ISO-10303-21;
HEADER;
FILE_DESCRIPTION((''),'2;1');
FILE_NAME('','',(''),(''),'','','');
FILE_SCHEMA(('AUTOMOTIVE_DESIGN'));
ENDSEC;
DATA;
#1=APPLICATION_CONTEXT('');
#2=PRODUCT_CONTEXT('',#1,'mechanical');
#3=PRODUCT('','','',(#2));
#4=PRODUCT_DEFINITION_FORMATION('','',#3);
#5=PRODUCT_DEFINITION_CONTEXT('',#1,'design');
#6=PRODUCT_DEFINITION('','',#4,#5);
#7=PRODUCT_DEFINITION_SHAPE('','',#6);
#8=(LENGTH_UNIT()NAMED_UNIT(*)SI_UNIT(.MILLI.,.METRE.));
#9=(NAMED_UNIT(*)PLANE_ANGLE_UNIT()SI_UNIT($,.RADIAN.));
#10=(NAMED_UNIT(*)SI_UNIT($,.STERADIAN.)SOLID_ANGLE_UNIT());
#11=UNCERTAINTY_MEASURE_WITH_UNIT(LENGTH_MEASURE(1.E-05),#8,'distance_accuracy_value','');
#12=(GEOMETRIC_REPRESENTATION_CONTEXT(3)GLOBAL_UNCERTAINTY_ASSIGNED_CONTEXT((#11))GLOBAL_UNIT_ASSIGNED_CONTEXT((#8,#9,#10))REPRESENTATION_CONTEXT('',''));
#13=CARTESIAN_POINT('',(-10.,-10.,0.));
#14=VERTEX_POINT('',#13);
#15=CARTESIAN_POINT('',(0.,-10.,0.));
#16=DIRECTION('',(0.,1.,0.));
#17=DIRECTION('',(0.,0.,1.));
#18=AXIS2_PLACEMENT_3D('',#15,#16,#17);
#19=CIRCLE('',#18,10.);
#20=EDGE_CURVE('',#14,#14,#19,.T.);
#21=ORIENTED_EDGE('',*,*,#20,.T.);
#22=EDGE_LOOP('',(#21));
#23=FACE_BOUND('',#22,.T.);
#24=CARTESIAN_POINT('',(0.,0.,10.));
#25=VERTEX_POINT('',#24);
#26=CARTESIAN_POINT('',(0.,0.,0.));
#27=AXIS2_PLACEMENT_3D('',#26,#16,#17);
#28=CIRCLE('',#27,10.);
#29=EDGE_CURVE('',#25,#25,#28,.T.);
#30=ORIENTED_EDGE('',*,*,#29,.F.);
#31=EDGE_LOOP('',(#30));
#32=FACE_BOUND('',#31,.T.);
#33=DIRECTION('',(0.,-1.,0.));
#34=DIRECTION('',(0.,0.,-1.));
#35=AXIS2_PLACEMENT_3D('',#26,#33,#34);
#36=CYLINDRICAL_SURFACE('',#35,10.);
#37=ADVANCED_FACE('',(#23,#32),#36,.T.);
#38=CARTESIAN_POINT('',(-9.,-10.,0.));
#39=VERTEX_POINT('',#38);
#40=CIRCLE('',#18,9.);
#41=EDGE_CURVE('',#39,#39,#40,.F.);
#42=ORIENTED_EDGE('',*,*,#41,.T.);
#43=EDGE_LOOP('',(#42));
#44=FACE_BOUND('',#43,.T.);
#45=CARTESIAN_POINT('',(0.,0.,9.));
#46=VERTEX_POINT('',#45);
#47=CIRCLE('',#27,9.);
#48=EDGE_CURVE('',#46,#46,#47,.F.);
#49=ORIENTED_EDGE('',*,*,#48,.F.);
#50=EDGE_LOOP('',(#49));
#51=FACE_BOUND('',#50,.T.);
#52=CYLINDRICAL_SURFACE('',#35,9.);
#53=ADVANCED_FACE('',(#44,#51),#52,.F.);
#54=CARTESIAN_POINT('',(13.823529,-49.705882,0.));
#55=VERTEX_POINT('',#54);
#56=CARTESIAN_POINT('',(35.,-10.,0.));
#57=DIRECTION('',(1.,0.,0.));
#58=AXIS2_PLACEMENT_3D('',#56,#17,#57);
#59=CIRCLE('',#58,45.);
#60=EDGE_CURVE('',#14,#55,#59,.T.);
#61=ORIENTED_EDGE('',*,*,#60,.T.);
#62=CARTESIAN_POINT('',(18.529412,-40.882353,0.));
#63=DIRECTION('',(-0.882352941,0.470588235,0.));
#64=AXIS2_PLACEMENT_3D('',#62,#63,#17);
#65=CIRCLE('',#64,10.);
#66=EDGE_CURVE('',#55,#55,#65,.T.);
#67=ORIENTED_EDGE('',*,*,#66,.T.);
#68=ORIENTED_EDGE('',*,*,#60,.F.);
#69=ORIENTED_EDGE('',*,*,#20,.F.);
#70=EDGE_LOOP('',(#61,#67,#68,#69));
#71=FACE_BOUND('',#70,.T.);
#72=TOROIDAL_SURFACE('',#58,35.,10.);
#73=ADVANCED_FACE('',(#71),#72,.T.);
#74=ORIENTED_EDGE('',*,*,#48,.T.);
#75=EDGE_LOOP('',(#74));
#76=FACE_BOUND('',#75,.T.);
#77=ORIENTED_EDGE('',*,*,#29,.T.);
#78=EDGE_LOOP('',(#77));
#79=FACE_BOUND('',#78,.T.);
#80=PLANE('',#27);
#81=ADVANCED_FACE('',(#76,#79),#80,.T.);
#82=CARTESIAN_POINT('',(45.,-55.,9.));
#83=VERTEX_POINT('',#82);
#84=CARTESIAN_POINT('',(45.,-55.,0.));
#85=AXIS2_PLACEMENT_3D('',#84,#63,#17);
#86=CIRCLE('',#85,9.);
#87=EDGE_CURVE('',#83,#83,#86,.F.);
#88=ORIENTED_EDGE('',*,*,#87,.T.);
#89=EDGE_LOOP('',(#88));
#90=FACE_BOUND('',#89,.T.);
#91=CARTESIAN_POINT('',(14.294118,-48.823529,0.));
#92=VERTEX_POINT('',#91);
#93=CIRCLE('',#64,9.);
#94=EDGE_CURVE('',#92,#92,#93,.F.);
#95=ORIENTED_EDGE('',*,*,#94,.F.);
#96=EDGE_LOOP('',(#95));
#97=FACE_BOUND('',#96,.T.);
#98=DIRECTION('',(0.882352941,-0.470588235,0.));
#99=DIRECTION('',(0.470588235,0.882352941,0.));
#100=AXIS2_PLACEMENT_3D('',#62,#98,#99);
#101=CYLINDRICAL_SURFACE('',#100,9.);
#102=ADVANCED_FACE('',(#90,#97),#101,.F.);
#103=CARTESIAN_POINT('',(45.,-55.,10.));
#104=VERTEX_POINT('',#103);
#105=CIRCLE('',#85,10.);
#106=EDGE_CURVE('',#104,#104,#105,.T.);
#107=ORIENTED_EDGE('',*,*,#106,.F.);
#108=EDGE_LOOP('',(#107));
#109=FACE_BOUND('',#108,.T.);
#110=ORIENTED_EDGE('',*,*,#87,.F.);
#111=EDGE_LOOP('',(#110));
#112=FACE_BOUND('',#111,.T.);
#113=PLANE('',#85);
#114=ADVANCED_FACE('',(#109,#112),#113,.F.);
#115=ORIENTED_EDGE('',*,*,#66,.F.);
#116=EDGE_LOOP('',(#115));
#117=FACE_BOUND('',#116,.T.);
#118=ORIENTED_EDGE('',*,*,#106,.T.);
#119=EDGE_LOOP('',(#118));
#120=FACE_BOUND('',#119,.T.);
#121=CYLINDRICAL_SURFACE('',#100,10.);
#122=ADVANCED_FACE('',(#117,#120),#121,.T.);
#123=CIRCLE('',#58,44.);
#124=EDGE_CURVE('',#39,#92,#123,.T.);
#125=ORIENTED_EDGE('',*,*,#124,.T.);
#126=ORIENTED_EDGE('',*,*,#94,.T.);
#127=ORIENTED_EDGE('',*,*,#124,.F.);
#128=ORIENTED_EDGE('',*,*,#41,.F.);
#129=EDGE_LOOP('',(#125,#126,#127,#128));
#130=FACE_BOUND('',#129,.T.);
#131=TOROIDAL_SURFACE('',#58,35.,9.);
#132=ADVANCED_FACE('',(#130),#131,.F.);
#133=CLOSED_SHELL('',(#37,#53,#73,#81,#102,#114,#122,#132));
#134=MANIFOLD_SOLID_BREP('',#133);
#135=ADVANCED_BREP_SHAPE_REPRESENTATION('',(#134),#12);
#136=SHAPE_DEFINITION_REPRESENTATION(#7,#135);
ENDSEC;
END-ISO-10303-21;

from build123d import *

# Parameters (mm, degrees)
SKETCH1_R   = 10
SKETCH1_R_2 = 9


with BuildPart() as part:
    # Sweep1: sweep along a path in Sketch2
    with BuildLine(Plane.XY) as sweep1_path:
        Line((0, 0), (0, -10))
        ThreePointArc((0, -10), (4.9877476, -28.00735144), (18.529411765, -40.882352941))
        Line((18.529411765, -40.882352941), (45, -55))
    # Sketch1 → Sweep1 (sweep)
    with BuildSketch(Plane(origin=(0, 0, 0), x_dir=(1, 0, 0), z_dir=(0, 1, 0))):
        Circle(SKETCH1_R)
        Circle(SKETCH1_R_2, mode=Mode.SUBTRACT)
    sweep(path=sweep1_path.line)


solid = part.part
